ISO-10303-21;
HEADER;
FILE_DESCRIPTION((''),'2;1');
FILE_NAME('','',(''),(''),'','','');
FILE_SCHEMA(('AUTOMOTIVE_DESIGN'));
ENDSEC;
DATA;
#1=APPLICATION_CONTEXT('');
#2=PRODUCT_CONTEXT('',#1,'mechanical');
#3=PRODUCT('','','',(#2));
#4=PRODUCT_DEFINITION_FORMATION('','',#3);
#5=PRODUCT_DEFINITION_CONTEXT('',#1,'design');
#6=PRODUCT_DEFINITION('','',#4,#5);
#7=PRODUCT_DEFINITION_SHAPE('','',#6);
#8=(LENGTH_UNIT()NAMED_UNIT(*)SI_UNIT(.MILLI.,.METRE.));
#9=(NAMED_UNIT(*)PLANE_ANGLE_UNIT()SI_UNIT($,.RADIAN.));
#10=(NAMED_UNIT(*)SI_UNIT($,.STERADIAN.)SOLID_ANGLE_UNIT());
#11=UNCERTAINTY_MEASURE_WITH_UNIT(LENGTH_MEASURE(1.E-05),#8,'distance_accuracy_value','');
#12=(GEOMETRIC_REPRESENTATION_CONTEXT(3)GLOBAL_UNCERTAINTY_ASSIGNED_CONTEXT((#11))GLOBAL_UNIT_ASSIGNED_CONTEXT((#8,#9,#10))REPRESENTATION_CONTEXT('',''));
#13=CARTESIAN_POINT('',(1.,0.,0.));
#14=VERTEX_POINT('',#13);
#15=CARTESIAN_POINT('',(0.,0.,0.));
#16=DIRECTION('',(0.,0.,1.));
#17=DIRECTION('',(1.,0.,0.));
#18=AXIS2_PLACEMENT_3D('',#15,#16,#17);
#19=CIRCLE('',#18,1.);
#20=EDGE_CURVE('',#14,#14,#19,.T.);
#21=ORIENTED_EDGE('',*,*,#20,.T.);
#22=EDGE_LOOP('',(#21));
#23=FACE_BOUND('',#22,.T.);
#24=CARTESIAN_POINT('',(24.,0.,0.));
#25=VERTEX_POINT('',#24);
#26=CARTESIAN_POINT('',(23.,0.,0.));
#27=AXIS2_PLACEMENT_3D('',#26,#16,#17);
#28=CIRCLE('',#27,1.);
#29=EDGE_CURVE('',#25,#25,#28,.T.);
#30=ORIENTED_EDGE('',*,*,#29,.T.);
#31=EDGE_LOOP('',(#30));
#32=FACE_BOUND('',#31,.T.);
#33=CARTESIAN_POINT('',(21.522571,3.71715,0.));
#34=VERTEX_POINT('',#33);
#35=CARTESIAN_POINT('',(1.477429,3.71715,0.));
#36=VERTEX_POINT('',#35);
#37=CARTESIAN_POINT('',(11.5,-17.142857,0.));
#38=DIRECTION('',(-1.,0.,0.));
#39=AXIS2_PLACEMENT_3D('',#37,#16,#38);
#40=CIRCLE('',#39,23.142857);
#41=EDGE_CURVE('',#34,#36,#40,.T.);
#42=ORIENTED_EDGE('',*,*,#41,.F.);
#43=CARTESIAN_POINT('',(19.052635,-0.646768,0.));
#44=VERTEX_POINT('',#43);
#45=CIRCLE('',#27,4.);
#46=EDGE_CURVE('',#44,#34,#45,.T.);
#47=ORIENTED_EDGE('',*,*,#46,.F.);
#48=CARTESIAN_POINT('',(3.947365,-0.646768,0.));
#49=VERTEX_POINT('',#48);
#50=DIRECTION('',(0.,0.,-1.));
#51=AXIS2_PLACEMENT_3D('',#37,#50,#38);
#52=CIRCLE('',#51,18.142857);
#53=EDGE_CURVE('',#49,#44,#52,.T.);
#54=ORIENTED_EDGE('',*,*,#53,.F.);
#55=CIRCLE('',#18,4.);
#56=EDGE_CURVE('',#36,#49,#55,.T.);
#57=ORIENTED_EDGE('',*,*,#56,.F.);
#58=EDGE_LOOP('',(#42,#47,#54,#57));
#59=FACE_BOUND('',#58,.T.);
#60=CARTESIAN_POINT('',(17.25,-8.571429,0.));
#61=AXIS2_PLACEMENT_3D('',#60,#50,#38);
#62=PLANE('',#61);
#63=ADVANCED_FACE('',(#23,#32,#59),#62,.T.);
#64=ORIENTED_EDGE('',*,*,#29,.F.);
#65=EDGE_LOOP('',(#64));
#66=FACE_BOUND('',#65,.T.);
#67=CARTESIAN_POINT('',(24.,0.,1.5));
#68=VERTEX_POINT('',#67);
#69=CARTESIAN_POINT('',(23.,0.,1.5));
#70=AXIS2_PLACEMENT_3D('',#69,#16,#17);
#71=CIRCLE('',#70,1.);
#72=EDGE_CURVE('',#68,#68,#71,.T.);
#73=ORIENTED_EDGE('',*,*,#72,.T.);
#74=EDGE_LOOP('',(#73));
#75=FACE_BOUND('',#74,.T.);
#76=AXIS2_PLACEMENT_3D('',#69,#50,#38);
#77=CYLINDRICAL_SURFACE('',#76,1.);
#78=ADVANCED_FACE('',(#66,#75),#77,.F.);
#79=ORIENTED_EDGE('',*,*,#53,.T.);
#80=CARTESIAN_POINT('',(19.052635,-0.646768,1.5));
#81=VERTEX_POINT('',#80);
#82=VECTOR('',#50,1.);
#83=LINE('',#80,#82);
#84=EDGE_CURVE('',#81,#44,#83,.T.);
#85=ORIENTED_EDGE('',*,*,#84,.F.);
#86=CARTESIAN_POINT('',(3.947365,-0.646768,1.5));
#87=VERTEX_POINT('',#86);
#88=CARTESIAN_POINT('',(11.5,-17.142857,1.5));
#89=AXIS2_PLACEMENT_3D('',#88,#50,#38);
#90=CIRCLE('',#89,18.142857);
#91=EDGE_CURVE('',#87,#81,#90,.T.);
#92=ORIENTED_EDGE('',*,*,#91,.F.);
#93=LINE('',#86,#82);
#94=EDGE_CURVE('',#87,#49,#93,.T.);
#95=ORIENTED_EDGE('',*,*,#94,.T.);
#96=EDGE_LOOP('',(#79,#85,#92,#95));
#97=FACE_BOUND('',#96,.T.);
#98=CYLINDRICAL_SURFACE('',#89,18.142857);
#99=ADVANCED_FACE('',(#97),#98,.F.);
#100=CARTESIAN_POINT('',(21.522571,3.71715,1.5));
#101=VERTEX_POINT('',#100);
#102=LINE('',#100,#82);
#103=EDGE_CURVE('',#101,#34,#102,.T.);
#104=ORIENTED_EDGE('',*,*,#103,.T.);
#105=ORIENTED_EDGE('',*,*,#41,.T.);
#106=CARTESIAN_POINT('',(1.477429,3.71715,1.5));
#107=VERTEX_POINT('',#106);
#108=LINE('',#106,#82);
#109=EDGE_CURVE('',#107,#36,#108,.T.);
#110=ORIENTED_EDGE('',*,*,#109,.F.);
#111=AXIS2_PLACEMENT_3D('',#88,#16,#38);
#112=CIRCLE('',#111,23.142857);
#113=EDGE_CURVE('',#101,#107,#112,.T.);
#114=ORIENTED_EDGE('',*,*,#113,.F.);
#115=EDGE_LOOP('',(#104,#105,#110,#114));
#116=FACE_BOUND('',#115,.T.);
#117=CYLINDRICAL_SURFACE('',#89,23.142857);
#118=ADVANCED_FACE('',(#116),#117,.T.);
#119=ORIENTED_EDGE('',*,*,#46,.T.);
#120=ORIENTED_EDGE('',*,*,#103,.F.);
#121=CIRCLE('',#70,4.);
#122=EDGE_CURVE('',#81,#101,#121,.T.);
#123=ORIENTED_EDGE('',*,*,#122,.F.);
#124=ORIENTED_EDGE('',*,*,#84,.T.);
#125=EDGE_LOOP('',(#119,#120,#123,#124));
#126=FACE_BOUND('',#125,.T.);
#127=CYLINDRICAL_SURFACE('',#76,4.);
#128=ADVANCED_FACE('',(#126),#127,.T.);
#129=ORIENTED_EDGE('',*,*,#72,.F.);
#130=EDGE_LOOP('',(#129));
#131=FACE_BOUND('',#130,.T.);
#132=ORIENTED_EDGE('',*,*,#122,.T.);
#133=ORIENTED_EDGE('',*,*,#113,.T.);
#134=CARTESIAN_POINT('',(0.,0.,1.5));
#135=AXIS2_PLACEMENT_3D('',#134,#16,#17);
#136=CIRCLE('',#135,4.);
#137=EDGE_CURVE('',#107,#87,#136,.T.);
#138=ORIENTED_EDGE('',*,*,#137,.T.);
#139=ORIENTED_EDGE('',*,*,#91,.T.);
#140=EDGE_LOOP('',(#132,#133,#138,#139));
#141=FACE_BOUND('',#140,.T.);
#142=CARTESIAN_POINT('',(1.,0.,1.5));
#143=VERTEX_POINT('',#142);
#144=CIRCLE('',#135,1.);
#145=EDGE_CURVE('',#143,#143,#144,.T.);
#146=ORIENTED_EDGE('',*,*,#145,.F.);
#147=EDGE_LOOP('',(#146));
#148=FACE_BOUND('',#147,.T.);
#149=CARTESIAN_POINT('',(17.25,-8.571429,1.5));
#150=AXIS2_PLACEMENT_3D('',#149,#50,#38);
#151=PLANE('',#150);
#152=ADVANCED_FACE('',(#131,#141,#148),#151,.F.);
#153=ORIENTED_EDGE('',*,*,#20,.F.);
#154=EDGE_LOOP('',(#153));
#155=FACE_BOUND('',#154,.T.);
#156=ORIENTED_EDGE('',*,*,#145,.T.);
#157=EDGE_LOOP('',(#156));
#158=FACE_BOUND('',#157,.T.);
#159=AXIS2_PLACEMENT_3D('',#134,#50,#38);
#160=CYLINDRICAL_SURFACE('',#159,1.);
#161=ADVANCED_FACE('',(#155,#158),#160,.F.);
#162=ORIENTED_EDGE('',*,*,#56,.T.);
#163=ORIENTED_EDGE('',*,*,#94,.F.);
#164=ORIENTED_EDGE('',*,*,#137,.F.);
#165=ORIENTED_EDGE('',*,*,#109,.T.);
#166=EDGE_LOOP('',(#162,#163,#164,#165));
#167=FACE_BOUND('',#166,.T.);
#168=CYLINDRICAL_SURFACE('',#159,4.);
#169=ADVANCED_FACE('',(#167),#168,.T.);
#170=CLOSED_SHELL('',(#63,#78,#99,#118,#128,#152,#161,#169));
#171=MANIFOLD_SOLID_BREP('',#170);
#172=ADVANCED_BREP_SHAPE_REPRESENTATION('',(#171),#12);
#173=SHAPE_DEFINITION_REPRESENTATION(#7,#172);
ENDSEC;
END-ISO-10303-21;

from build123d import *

# Parameters (mm, degrees)
SKETCH1_R           = 1
BOSS_EXTRUDE1_DEPTH = 1.5


with BuildPart() as part:
    # Sketch1 → Boss-Extrude1 (new body)
    with BuildSketch(Plane.XY):
        with BuildLine():
            ThreePointArc((1.477428659, 3.717150059), (-3.481097701, -1.970268712), (3.947365166, -0.646767534))
            ThreePointArc((3.947365166, -0.646767534), (11.5, 1), (19.052634834, -0.646767534))
            ThreePointArc((19.052634834, -0.646767534), (26.481097701, -1.970268712), (21.522571341, 3.717150059))
            ThreePointArc((21.522571341, 3.717150059), (11.5, 6), (1.477428659, 3.717150059))
        make_face()
        Circle(SKETCH1_R, mode=Mode.SUBTRACT)
        with Locations((23, 0)):
            Circle(SKETCH1_R, mode=Mode.SUBTRACT)
    extrude(amount=BOSS_EXTRUDE1_DEPTH)


solid = part.part
